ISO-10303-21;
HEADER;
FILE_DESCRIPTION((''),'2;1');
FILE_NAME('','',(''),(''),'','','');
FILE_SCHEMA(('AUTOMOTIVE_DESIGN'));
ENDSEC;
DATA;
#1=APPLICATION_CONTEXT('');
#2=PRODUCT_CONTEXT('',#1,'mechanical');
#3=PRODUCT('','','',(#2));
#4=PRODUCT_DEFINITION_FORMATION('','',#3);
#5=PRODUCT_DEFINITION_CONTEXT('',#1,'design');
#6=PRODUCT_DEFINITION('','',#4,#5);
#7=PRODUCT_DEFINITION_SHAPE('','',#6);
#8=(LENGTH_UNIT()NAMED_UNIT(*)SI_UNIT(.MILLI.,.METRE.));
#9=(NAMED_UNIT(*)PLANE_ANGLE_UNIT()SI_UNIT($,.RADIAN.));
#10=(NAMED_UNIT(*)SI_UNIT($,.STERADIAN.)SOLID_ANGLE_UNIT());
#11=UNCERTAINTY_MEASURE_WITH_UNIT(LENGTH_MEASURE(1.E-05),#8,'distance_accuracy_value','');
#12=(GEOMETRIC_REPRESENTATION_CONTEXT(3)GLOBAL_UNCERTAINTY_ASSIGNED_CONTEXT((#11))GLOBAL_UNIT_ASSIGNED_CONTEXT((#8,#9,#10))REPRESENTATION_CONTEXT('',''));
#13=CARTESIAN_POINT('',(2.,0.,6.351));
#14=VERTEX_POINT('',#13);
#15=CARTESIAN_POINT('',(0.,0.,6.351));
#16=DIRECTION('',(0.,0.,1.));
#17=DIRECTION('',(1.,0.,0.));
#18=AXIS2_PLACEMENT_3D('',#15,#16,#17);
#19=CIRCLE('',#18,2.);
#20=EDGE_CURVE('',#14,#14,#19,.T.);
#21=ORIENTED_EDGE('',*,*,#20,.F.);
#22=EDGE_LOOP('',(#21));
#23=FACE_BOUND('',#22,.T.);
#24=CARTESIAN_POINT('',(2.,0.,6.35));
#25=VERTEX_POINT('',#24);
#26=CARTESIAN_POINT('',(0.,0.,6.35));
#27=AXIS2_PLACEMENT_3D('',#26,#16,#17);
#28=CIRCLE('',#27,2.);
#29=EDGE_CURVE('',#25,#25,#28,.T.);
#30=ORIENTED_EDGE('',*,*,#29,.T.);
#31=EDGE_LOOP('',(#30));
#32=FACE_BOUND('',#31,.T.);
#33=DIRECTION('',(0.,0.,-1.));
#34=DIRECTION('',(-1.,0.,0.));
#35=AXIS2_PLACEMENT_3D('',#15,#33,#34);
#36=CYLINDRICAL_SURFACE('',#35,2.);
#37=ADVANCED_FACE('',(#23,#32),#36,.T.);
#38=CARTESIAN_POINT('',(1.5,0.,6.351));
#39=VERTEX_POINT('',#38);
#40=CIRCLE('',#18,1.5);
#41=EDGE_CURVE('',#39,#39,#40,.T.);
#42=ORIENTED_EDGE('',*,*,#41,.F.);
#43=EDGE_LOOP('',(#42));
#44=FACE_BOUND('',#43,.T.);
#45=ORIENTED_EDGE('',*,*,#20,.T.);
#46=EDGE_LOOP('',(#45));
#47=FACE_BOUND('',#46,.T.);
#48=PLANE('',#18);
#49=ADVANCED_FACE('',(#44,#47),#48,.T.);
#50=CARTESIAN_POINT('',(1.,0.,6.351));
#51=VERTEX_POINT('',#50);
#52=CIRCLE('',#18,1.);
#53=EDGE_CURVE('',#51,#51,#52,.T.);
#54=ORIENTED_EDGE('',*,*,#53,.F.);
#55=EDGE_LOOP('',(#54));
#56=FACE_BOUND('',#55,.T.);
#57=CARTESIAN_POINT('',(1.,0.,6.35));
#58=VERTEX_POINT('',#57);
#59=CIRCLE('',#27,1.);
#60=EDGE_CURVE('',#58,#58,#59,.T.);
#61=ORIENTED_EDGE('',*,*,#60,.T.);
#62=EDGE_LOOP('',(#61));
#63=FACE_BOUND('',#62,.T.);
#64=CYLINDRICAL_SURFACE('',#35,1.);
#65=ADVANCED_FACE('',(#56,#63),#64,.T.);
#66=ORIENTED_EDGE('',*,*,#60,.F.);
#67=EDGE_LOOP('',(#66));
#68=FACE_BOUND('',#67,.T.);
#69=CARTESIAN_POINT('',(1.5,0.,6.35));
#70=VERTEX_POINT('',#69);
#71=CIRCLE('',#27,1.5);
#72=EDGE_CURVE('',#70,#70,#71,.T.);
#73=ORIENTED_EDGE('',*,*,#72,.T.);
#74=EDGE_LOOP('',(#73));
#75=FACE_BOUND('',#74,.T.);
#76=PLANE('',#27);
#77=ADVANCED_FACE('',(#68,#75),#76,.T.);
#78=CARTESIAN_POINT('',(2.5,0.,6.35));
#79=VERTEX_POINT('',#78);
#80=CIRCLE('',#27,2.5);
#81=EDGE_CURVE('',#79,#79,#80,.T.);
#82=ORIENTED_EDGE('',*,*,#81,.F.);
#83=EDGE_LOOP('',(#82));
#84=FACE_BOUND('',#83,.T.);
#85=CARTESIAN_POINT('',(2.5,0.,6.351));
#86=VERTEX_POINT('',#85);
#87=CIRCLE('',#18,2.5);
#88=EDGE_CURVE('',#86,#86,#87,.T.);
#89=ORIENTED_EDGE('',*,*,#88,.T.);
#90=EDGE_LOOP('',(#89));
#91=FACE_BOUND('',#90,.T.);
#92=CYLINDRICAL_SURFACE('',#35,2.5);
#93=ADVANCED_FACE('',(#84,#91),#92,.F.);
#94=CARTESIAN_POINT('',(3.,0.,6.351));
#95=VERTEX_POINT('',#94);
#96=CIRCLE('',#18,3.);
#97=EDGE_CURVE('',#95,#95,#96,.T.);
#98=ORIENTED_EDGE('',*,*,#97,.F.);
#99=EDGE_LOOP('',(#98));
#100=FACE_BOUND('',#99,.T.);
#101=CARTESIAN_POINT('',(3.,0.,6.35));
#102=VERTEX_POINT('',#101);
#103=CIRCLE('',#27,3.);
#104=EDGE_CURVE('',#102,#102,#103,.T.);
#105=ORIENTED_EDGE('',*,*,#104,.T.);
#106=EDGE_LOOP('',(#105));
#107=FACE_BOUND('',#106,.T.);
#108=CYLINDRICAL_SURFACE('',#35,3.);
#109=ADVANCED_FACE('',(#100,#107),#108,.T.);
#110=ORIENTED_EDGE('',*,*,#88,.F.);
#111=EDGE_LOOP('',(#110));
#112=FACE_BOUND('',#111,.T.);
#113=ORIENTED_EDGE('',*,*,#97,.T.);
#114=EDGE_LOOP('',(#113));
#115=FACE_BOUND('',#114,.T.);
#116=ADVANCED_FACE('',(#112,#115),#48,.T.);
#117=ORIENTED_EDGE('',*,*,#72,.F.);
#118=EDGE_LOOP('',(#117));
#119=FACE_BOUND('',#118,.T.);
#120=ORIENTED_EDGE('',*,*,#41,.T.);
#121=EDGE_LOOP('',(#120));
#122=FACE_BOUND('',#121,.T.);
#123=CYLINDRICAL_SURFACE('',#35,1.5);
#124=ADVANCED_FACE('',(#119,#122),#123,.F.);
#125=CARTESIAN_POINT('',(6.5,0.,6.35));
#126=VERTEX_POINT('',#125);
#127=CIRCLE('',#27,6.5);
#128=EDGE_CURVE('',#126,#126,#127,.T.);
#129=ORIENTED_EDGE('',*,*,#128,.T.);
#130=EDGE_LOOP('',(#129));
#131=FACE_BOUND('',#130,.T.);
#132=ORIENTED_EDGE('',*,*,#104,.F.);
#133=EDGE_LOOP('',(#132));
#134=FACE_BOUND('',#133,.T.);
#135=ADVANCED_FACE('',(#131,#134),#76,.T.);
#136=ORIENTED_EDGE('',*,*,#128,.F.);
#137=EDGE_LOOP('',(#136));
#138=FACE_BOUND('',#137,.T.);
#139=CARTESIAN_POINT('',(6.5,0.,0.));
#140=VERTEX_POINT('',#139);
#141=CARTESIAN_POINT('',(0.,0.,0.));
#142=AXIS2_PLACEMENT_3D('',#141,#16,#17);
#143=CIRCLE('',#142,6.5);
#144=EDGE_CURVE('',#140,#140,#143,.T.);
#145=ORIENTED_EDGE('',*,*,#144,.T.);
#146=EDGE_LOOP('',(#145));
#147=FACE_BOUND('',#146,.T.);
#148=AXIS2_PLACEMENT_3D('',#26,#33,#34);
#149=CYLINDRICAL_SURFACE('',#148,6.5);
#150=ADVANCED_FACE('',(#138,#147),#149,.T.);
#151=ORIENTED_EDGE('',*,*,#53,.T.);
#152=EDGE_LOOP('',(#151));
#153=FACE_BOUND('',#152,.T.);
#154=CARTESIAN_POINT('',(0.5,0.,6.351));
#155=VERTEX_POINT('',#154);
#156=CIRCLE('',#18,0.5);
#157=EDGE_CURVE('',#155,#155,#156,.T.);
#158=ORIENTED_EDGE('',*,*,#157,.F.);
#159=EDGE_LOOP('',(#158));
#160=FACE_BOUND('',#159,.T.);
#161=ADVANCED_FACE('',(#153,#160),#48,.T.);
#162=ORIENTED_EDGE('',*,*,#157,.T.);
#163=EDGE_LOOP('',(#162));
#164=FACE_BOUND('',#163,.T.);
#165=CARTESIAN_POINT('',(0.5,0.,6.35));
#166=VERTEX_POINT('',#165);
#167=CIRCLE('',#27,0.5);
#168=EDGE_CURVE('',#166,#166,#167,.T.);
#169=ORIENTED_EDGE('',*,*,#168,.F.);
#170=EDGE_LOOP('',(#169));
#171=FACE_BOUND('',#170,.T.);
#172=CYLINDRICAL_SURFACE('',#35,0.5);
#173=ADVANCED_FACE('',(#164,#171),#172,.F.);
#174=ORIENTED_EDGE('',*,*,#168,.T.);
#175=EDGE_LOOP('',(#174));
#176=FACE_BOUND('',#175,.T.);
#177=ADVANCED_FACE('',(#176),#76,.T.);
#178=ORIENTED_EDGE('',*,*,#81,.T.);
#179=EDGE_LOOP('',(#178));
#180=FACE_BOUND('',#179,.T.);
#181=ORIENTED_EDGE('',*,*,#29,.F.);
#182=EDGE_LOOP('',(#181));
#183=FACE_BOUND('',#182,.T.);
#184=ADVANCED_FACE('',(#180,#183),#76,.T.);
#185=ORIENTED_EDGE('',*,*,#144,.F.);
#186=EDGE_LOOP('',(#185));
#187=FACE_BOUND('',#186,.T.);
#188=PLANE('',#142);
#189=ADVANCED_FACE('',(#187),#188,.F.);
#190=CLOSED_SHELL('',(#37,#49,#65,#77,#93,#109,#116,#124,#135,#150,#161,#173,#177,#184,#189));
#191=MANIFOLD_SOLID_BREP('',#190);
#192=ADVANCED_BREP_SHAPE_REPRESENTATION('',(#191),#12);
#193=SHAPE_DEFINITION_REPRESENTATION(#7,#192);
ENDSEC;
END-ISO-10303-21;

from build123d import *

# Parameters (mm, degrees)
SKETCH2_R      = 0.5
F_0TO0_5_DEPTH = 6.349
SKETCH3_R      = 1
SKETCH3_R_2    = 0.5
F_0_5TO1_DEPTH = 6.351
SKETCH4_R      = 1.5
SKETCH4_R_2    = 1
F_1TO1_5_DEPTH = 6.349
SKETCH5_R      = 2
SKETCH5_R_2    = 1.5
F_1_5TO2_DEPTH = 6.351
SKETCH6_R      = 2.5
SKETCH6_R_2    = 2
F_2TO2_5_DEPTH = 6.349
SKETCH7_R      = 3
SKETCH7_R_2    = 2.5
F_2_5TO3_DEPTH = 6.351
SKETCH8_R      = 6.5
MIRROR_2_DEPTH = 6.35


with BuildPart() as part:
    # Sketch2 → 0to0.5 (new body)
    with BuildSketch(Plane.XY):
        Circle(SKETCH2_R)
    extrude(amount=F_0TO0_5_DEPTH)

    # Sketch3 → 0.5to1 (add)
    with BuildSketch(Plane.XY):
        Circle(SKETCH3_R)
        Circle(SKETCH3_R_2, mode=Mode.SUBTRACT)
    extrude(amount=F_0_5TO1_DEPTH)

    # Sketch4 → 1to1.5 (add)
    with BuildSketch(Plane.XY):
        Circle(SKETCH4_R)
        Circle(SKETCH4_R_2, mode=Mode.SUBTRACT)
    extrude(amount=F_1TO1_5_DEPTH)

    # Sketch5 → 1.5to2 (add)
    with BuildSketch(Plane.XY):
        Circle(SKETCH5_R)
        Circle(SKETCH5_R_2, mode=Mode.SUBTRACT)
    extrude(amount=F_1_5TO2_DEPTH)

    # Sketch6 → 2to2.5 (add)
    with BuildSketch(Plane.XY):
        Circle(SKETCH6_R)
        Circle(SKETCH6_R_2, mode=Mode.SUBTRACT)
    extrude(amount=F_2TO2_5_DEPTH)

    # Sketch7 → 2.5to3 (add)
    with BuildSketch(Plane.XY):
        Circle(SKETCH7_R)
        Circle(SKETCH7_R_2, mode=Mode.SUBTRACT)
    extrude(amount=F_2_5TO3_DEPTH)

    # Sketch8 → Mirror 2 (add)
    with BuildSketch(Plane.XY):
        Circle(SKETCH8_R)
    extrude(amount=MIRROR_2_DEPTH)


solid = part.part
